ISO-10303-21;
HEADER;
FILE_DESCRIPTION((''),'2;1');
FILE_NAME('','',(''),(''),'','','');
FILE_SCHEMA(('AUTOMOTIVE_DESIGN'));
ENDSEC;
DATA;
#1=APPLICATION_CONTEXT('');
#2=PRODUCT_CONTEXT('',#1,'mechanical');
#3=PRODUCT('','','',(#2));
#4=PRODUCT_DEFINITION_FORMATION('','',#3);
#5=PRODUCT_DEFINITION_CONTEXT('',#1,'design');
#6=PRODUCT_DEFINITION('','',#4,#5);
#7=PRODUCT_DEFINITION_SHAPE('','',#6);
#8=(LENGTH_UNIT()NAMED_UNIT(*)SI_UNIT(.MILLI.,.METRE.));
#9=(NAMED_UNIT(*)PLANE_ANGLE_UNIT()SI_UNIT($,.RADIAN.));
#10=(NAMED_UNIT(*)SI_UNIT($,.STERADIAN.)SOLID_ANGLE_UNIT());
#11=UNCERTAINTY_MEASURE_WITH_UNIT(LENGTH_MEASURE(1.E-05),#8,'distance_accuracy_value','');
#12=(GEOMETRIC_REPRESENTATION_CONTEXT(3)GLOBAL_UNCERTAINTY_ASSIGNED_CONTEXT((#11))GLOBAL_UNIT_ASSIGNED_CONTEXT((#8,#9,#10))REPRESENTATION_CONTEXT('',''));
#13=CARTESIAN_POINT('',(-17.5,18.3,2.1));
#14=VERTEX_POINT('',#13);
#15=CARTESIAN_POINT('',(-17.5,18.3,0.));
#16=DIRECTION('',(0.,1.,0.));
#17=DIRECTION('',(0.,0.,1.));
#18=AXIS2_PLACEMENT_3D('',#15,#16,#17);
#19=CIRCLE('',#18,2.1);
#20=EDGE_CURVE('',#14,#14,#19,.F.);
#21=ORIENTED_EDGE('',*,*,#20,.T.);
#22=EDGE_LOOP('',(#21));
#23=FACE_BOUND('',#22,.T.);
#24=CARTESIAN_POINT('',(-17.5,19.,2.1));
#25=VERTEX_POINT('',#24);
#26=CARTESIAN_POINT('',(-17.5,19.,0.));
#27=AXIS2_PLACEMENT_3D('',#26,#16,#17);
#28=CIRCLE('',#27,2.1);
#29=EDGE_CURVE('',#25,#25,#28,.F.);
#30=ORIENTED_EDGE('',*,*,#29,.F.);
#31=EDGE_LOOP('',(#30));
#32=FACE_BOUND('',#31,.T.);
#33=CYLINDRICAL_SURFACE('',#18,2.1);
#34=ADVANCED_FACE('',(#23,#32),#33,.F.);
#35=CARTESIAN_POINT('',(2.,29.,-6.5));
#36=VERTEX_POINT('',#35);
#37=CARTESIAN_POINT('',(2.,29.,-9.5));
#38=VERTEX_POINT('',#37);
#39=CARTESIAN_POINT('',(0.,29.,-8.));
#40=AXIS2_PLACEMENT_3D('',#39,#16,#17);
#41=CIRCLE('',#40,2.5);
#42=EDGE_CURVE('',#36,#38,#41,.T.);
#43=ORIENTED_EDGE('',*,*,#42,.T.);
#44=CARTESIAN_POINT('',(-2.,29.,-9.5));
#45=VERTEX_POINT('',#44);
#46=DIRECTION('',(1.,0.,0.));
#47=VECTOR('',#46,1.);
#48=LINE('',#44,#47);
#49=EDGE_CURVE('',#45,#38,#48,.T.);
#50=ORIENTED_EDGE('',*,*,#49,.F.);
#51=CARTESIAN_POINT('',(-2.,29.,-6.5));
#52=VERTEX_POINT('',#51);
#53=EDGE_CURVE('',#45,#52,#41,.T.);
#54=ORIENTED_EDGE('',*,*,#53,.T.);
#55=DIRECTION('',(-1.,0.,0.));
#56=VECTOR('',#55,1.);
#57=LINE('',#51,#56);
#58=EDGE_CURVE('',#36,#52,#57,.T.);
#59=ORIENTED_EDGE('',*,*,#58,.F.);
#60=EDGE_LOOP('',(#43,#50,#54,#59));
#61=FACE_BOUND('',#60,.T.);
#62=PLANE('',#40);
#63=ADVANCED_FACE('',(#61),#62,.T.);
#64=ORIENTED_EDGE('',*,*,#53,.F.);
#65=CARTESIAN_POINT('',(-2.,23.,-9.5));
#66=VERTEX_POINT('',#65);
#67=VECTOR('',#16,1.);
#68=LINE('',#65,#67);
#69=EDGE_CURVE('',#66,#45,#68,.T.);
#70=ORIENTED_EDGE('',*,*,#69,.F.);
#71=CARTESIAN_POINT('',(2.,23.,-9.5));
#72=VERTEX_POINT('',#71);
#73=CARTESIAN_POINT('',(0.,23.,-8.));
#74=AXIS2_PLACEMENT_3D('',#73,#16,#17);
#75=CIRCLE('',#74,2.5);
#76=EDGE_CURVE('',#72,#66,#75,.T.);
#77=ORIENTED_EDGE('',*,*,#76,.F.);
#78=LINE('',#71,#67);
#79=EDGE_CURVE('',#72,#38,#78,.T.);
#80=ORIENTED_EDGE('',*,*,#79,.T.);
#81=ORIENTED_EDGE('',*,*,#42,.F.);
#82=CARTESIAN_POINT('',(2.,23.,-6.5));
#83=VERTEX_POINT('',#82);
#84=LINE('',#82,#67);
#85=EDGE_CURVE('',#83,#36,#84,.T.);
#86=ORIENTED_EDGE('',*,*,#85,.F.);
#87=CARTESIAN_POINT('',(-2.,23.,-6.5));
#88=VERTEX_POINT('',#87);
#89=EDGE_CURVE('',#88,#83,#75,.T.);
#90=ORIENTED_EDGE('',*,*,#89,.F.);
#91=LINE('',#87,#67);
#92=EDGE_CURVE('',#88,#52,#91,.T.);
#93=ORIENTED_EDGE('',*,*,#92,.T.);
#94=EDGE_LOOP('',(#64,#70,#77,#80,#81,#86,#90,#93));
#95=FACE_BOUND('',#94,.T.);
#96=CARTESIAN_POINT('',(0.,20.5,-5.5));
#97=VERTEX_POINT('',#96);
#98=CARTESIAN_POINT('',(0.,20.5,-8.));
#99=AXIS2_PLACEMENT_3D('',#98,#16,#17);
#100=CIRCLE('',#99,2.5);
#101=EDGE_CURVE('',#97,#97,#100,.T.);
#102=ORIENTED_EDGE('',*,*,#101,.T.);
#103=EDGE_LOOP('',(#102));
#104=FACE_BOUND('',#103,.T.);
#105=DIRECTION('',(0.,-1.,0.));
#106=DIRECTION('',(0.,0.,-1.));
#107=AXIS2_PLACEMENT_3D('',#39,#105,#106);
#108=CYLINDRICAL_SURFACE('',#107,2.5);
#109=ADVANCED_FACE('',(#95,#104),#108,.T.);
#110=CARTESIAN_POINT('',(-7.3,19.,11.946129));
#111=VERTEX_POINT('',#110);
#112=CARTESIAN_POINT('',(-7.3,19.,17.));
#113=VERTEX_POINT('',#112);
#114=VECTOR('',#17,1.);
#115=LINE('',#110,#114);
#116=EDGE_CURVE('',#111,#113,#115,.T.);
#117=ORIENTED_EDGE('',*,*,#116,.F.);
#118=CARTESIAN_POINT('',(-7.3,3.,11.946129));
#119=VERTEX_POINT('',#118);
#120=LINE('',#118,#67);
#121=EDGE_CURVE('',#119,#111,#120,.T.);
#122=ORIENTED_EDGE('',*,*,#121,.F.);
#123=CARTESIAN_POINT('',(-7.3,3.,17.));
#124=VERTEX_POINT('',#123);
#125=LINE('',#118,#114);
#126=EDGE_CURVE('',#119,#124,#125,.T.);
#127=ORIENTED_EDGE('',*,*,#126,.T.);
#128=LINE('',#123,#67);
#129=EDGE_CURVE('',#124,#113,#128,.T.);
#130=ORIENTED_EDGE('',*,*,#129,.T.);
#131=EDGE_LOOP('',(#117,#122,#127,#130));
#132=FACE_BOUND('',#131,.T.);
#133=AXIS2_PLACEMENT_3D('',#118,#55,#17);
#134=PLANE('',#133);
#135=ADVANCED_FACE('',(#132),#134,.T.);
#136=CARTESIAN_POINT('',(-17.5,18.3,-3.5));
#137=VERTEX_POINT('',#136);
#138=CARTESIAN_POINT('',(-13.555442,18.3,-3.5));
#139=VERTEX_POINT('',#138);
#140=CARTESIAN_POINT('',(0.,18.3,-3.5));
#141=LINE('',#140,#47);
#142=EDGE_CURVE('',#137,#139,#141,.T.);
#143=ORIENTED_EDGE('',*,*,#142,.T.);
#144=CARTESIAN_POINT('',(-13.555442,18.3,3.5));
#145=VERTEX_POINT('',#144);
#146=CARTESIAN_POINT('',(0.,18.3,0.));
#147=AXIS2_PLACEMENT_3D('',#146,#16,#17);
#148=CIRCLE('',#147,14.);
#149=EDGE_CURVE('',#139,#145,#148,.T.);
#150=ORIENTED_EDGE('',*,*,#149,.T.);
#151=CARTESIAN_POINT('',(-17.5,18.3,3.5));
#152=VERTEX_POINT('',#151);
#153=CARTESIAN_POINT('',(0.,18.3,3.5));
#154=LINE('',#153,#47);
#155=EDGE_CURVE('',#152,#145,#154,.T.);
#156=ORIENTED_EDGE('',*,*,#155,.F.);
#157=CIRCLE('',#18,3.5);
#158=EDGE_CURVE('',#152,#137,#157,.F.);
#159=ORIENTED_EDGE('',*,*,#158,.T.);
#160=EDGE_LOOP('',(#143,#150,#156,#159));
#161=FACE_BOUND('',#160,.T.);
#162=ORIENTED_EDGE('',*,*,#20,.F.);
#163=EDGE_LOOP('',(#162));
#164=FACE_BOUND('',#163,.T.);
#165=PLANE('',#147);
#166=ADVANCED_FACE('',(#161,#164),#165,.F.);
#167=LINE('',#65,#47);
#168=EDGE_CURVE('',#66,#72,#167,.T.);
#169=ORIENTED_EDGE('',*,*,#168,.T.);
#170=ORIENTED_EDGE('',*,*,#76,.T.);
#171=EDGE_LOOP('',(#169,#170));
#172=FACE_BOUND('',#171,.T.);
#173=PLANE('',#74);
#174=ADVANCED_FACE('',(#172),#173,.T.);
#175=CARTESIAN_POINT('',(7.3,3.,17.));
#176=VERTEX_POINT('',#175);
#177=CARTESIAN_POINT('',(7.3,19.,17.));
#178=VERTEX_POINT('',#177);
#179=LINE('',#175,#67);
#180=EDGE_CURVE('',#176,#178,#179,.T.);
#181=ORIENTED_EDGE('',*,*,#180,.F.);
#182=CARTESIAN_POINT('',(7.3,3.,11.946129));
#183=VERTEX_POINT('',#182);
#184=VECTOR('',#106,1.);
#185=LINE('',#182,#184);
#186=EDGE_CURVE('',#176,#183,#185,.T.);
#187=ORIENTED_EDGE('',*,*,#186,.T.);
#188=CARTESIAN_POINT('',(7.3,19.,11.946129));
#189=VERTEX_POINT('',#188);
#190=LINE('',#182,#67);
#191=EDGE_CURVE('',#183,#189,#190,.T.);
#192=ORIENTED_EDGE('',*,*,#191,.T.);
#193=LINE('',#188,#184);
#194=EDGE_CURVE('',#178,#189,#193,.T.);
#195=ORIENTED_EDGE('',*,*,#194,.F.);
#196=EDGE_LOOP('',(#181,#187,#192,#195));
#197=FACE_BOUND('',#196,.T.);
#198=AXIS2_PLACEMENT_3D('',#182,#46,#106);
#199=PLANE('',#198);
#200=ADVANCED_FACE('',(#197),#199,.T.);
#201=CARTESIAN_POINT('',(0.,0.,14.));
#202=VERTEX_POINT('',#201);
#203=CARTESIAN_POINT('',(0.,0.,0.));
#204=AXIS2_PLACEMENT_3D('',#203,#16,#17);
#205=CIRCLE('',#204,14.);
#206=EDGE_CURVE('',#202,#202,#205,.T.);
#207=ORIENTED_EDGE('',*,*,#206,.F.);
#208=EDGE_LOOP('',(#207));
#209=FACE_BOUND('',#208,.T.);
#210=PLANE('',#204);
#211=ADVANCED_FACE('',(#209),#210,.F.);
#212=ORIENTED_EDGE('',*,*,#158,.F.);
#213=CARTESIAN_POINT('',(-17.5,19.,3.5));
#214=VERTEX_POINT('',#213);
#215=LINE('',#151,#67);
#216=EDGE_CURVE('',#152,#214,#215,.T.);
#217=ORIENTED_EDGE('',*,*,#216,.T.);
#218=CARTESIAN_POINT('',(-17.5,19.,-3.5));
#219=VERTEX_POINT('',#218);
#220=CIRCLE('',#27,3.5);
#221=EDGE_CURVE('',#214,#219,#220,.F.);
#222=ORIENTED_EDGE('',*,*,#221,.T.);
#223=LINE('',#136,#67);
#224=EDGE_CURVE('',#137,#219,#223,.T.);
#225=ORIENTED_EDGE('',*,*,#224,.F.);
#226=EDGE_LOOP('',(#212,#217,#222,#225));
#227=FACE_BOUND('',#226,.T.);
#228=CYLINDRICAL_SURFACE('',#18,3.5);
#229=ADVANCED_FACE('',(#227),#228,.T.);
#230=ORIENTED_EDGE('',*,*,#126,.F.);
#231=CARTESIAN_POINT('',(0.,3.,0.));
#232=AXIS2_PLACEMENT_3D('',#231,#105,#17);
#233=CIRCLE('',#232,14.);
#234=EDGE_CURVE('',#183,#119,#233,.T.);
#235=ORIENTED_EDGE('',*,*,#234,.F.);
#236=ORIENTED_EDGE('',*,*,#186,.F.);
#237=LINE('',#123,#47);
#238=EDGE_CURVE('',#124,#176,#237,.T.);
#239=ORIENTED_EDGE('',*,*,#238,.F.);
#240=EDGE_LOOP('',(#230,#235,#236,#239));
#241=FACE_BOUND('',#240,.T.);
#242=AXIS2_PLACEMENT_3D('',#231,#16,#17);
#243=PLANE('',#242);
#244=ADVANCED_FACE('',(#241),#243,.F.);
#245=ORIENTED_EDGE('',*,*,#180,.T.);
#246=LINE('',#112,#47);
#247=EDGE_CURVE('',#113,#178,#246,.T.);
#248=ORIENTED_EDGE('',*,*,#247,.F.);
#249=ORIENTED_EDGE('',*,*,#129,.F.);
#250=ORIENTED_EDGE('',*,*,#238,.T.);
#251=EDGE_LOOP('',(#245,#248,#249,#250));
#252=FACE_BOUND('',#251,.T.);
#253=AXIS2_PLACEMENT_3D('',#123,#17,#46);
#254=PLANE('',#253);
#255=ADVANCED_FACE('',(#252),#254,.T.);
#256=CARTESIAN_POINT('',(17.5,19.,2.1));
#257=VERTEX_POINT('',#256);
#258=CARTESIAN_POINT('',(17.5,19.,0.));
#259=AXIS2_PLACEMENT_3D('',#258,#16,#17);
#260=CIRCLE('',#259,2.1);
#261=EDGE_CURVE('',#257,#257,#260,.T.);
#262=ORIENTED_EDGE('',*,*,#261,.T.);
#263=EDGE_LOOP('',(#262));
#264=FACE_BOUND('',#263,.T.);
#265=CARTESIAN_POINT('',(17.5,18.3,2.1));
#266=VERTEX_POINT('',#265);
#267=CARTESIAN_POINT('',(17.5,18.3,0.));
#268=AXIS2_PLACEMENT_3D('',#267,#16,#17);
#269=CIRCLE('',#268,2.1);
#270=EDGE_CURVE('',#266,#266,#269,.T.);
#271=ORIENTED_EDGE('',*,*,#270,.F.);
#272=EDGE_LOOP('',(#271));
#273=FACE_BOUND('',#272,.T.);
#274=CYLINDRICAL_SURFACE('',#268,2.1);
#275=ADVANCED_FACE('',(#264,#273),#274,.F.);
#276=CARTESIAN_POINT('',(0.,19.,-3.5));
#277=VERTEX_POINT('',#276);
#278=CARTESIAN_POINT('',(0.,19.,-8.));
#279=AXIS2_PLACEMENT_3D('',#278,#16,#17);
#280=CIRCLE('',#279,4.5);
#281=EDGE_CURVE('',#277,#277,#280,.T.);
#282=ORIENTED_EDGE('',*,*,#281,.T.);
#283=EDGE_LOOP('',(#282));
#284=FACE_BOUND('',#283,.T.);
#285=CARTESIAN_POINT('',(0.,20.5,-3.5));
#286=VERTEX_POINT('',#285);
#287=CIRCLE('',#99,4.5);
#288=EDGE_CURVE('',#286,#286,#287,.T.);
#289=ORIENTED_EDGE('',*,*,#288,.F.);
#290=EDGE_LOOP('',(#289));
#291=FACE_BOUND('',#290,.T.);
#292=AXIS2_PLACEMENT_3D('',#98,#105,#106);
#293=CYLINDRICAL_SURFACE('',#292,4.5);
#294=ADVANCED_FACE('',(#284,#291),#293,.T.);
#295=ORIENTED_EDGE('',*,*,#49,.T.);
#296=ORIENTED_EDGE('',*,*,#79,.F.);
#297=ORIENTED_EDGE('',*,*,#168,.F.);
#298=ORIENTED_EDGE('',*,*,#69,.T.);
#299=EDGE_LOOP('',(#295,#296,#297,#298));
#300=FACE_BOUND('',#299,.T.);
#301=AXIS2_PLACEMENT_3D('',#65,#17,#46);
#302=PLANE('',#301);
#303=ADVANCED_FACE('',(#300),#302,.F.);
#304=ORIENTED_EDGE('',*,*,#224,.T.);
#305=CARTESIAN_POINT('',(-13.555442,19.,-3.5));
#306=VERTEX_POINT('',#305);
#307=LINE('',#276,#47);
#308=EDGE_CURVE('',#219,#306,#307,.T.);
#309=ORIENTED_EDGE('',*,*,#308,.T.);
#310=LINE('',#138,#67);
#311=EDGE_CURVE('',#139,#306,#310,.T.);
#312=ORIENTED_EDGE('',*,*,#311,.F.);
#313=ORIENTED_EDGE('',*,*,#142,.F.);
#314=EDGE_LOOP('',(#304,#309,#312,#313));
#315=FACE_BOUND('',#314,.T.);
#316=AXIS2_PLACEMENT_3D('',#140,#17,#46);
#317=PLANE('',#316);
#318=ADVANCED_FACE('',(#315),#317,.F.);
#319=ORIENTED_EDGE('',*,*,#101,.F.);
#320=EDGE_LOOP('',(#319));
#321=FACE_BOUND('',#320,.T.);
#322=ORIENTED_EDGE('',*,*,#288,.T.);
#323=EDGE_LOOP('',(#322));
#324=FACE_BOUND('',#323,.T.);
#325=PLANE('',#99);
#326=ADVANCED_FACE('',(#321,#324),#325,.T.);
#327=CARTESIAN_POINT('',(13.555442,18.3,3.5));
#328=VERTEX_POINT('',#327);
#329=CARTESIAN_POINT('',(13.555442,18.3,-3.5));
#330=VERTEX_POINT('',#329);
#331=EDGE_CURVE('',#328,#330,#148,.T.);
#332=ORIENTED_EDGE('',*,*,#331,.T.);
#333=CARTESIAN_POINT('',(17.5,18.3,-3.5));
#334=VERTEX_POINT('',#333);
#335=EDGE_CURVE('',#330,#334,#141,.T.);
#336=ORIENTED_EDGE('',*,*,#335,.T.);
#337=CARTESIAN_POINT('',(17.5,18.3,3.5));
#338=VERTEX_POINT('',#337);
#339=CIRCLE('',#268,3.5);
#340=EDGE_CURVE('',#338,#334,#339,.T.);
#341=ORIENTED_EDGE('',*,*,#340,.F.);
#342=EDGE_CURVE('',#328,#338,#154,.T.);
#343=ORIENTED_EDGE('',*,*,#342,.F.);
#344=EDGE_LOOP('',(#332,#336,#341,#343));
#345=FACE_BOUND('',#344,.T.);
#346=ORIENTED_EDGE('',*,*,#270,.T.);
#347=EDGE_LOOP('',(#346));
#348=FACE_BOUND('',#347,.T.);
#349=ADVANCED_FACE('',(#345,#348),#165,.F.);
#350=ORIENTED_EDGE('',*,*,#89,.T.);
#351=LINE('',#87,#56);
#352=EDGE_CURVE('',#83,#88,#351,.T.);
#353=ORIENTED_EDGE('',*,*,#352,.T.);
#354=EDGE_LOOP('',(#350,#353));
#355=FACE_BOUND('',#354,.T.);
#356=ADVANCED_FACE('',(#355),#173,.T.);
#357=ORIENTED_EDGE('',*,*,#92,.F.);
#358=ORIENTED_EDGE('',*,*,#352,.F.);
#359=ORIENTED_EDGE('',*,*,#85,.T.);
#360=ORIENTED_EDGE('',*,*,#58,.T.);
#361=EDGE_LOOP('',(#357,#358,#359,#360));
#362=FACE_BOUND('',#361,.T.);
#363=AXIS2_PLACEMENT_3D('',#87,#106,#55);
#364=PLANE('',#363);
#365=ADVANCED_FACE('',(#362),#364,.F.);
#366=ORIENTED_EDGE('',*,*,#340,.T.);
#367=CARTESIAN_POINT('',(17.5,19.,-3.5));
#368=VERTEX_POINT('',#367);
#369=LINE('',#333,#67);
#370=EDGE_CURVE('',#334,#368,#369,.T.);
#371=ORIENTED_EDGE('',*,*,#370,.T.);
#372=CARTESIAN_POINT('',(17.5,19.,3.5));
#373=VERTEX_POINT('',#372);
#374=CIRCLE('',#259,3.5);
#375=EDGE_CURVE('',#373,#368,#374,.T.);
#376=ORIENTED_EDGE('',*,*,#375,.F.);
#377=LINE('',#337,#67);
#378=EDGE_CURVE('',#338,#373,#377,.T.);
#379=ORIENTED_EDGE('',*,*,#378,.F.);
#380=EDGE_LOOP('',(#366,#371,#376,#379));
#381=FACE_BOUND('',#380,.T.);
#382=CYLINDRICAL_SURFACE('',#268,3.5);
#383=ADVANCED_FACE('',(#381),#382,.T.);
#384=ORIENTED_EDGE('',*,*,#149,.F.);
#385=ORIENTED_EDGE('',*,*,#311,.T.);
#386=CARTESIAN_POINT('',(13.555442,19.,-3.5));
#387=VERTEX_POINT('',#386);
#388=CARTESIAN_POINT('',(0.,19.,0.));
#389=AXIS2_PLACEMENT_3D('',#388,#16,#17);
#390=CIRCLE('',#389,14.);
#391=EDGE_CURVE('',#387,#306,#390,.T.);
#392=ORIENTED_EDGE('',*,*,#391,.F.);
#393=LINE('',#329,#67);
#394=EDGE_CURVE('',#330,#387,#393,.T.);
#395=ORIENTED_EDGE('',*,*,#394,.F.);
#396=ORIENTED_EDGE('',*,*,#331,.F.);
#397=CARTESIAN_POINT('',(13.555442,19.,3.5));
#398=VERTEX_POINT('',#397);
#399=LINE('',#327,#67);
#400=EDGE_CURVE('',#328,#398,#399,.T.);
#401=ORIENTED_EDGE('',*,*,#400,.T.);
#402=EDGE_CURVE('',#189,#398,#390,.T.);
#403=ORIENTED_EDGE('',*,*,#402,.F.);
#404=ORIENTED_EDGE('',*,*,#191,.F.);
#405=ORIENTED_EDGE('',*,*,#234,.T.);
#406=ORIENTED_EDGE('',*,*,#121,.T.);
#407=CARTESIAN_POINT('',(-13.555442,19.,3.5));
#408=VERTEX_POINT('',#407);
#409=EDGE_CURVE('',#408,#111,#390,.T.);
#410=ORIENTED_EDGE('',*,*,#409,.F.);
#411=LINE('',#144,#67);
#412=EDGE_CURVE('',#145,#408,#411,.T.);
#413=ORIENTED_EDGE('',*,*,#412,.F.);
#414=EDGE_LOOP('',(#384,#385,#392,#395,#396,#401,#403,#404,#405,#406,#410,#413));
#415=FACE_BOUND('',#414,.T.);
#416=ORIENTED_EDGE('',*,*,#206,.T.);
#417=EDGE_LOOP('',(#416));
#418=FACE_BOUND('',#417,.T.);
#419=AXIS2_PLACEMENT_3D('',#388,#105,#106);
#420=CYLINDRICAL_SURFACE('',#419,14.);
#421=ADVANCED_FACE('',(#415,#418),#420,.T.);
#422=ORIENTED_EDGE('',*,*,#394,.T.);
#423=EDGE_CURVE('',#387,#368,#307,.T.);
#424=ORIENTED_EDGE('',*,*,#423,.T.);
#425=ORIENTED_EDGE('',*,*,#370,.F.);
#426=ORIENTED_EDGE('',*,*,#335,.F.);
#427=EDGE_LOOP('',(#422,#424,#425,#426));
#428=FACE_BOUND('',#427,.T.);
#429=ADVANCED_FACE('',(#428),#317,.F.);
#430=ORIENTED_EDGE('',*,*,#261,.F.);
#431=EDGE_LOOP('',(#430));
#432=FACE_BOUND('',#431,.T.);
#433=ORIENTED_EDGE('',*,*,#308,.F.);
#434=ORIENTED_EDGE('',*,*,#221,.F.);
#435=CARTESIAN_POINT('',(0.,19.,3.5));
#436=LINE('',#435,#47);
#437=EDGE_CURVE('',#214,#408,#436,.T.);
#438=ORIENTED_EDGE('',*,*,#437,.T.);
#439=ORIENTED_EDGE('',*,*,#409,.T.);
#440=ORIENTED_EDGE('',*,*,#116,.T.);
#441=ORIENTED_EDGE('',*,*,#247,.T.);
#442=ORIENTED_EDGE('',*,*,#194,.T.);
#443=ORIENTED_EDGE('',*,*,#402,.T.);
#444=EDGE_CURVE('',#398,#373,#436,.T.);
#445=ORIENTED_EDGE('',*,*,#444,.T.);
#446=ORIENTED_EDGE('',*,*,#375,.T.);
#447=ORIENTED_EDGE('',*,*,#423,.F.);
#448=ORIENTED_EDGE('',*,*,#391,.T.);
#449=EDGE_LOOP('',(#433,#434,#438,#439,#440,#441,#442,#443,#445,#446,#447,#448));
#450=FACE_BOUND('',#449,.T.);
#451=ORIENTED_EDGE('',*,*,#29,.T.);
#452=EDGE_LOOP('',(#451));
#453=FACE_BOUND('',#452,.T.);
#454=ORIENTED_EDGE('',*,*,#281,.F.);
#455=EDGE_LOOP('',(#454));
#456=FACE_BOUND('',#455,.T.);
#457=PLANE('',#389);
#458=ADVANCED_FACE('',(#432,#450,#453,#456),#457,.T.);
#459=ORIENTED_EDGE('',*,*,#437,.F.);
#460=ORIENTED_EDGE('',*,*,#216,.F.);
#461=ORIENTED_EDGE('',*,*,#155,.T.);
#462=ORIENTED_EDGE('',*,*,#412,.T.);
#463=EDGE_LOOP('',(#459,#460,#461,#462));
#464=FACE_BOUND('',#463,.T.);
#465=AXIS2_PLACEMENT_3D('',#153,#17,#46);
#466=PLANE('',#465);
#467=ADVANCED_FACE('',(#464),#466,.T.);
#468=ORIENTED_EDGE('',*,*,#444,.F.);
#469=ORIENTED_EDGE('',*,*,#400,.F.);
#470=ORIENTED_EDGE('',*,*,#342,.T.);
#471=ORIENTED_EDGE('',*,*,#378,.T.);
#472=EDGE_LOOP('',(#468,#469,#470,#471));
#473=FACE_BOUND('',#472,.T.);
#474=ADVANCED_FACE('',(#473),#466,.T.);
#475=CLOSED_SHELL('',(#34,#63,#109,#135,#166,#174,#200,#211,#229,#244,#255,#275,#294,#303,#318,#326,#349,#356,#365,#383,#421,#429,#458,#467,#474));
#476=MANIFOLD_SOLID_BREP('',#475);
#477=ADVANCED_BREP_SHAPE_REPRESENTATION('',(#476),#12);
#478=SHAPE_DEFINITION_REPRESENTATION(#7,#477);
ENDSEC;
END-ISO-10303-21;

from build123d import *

# Parameters (mm, degrees)
SKETCH1_R           = 14
BOSS_EXTRUDE2_DEPTH = 19
BOSS_EXTRUDE4_START = -0.7
SKETCH2_R           = 2.1
BOSS_EXTRUDE4_DEPTH = 0.7
BOSS_EXTRUDE5_START = -16
BOSS_EXTRUDE5_DEPTH = 16
SKETCH4_R           = 4.5
BOSS_EXTRUDE6_DEPTH = 1.5
SKETCH5_R           = 2.5
BOSS_EXTRUDE7_DEPTH = 8.5
CUT_EXTRUDE1_START  = -6
CUT_EXTRUDE1_DEPTH  = 6


with BuildPart() as part:
    # Sketch1 → Boss-Extrude2 (new body)
    with BuildSketch(Plane(origin=(0, 0, 0), x_dir=(1, 0, 0), z_dir=(0, 1, 0))):
        with Locations(Location((0, 0, 0), (0, 0, 270))):
            Circle(SKETCH1_R)
    extrude(amount=BOSS_EXTRUDE2_DEPTH)

    # Sketch2 → Boss-Extrude4 (add)
    # profile 1 of 2: a face of its own
    with BuildSketch(Plane(origin=(0, 19, 0), x_dir=(1, 0, 0), z_dir=(0, 1, 0)).offset(BOSS_EXTRUDE4_START)):
        with BuildLine():
            Line((17.5, 3.5), (13.555441712, 3.5))
            ThreePointArc((13.555441712, 3.5), (13.888415748, 1.764060095), (14, 0))
            ThreePointArc((14, 0), (13.888415748, -1.764060095), (13.555441712, -3.5))
            Line((13.555441712, -3.5), (17.5, -3.5))
            ThreePointArc((17.5, -3.5), (21, 0), (17.5, 3.5))
        make_face()
        with Locations(Location((17.5, 0, 0), (0, 0, 270))):
            Circle(SKETCH2_R, mode=Mode.SUBTRACT)
    # profile 2 of 2: a face of its own
    with BuildSketch(Plane(origin=(0, 19, 0), x_dir=(1, 0, 0), z_dir=(0, 1, 0)).offset(BOSS_EXTRUDE4_START)):
        with BuildLine():
            Line((-13.555441712, 3.5), (-17.5, 3.5))
            ThreePointArc((-17.5, 3.5), (-21, 0), (-17.5, -3.5))
            Line((-17.5, -3.5), (-13.555441712, -3.5))
            ThreePointArc((-13.555441712, -3.5), (-14, 0), (-13.555441712, 3.5))
        make_face()
        with Locations(Location((-17.5, 0, 0), (0, 0, 270))):
            Circle(SKETCH2_R, mode=Mode.SUBTRACT)
    extrude(amount=BOSS_EXTRUDE4_DEPTH)

    # Sketch3 → Boss-Extrude5 (add)
    with BuildSketch(Plane(origin=(0, 19, 0), x_dir=(1, 0, 0), z_dir=(0, 1, 0)).offset(BOSS_EXTRUDE5_START)):
        with BuildLine():
            Line((-7.3, -11.94612908), (-7.3, -17))
            Line((-7.3, -17), (7.3, -17))
            Line((7.3, -17), (7.3, -11.94612908))
            ThreePointArc((7.3, -11.94612908), (0, -14), (-7.3, -11.94612908))
        make_face()
    extrude(amount=BOSS_EXTRUDE5_DEPTH)

    # Sketch4 → Boss-Extrude6 (add)
    with BuildSketch(Plane(origin=(0, 19, 0), x_dir=(1, 0, 0), z_dir=(0, 1, 0))):
        with Locations(Location((0, 8, 0), (0, 0, 270))):
            Circle(SKETCH4_R)
    extrude(amount=BOSS_EXTRUDE6_DEPTH)

    # Sketch5 → Boss-Extrude7 (add)
    with BuildSketch(Plane(origin=(0, 20.5, 0), x_dir=(1, 0, 0), z_dir=(0, 1, 0))):
        with Locations(Location((0, 8, 0), (0, 0, 270))):
            Circle(SKETCH5_R)
    extrude(amount=BOSS_EXTRUDE7_DEPTH)

    # Sketch7 → Cut-Extrude1 (cut)
    with BuildSketch(Plane(origin=(0, 29, 0), x_dir=(1, 0, 0), z_dir=(0, 1, 0)).offset(CUT_EXTRUDE1_START)):
        with BuildLine():
            Line((-2, 9.5), (2, 9.5))
            ThreePointArc((2, 9.5), (0, 10.5), (-2, 9.5))
        make_face()
        with BuildLine():
            Line((-2, 6.5), (2, 6.5))
            ThreePointArc((2, 6.5), (0, 5.5), (-2, 6.5))
        make_face()
    extrude(amount=CUT_EXTRUDE1_DEPTH, mode=Mode.SUBTRACT)


solid = part.part
